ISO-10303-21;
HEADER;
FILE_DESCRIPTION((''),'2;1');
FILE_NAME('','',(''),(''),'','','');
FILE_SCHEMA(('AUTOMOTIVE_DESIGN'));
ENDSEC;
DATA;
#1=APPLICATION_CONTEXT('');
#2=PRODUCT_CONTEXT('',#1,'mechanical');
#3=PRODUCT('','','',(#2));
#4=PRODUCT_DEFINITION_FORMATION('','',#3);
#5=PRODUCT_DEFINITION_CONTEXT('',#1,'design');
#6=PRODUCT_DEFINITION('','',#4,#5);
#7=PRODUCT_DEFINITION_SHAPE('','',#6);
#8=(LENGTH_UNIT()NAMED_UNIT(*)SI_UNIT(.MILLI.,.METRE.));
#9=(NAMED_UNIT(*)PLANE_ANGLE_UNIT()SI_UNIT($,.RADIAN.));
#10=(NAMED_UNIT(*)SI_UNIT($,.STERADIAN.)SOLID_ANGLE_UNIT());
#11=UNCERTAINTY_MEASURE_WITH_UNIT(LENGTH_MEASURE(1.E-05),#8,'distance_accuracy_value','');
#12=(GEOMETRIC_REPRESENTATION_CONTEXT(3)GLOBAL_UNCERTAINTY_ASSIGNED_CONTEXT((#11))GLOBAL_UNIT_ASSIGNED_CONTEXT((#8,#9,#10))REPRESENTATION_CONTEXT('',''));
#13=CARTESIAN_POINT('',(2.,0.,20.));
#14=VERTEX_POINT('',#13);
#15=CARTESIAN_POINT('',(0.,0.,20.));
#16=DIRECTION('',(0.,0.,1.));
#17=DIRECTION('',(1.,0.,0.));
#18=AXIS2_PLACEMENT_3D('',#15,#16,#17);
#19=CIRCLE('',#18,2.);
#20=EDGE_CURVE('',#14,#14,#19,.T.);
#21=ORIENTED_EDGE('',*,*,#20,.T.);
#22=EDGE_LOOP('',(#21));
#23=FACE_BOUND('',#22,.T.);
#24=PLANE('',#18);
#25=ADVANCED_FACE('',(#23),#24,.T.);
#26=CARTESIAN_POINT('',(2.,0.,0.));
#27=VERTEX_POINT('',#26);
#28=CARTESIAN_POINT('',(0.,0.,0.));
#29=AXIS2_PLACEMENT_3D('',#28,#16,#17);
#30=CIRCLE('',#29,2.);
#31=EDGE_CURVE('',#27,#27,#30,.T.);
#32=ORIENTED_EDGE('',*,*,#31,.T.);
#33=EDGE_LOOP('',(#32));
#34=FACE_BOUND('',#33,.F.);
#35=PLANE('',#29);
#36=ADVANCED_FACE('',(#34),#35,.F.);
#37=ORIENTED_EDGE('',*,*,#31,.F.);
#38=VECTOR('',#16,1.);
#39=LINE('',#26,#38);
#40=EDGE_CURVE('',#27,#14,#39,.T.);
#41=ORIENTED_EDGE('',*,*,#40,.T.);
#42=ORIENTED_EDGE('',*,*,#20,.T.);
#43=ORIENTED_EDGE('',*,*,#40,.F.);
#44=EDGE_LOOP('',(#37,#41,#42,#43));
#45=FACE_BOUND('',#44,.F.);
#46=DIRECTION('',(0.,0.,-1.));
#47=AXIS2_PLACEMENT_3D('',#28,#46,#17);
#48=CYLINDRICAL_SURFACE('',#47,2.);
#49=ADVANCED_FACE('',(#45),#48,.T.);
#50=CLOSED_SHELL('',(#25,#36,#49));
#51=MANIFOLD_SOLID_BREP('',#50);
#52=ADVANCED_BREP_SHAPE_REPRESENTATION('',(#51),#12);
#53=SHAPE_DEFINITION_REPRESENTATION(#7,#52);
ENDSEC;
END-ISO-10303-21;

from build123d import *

# Parameters (mm, degrees)
SKETCH1_R           = 2
BOSS_EXTRUDE1_DEPTH = 20


with BuildPart() as part:
    # Sketch1 → Boss-Extrude1 (new body)
    with BuildSketch(Plane.XY):
        Circle(SKETCH1_R)
    extrude(amount=BOSS_EXTRUDE1_DEPTH)


solid = part.part
